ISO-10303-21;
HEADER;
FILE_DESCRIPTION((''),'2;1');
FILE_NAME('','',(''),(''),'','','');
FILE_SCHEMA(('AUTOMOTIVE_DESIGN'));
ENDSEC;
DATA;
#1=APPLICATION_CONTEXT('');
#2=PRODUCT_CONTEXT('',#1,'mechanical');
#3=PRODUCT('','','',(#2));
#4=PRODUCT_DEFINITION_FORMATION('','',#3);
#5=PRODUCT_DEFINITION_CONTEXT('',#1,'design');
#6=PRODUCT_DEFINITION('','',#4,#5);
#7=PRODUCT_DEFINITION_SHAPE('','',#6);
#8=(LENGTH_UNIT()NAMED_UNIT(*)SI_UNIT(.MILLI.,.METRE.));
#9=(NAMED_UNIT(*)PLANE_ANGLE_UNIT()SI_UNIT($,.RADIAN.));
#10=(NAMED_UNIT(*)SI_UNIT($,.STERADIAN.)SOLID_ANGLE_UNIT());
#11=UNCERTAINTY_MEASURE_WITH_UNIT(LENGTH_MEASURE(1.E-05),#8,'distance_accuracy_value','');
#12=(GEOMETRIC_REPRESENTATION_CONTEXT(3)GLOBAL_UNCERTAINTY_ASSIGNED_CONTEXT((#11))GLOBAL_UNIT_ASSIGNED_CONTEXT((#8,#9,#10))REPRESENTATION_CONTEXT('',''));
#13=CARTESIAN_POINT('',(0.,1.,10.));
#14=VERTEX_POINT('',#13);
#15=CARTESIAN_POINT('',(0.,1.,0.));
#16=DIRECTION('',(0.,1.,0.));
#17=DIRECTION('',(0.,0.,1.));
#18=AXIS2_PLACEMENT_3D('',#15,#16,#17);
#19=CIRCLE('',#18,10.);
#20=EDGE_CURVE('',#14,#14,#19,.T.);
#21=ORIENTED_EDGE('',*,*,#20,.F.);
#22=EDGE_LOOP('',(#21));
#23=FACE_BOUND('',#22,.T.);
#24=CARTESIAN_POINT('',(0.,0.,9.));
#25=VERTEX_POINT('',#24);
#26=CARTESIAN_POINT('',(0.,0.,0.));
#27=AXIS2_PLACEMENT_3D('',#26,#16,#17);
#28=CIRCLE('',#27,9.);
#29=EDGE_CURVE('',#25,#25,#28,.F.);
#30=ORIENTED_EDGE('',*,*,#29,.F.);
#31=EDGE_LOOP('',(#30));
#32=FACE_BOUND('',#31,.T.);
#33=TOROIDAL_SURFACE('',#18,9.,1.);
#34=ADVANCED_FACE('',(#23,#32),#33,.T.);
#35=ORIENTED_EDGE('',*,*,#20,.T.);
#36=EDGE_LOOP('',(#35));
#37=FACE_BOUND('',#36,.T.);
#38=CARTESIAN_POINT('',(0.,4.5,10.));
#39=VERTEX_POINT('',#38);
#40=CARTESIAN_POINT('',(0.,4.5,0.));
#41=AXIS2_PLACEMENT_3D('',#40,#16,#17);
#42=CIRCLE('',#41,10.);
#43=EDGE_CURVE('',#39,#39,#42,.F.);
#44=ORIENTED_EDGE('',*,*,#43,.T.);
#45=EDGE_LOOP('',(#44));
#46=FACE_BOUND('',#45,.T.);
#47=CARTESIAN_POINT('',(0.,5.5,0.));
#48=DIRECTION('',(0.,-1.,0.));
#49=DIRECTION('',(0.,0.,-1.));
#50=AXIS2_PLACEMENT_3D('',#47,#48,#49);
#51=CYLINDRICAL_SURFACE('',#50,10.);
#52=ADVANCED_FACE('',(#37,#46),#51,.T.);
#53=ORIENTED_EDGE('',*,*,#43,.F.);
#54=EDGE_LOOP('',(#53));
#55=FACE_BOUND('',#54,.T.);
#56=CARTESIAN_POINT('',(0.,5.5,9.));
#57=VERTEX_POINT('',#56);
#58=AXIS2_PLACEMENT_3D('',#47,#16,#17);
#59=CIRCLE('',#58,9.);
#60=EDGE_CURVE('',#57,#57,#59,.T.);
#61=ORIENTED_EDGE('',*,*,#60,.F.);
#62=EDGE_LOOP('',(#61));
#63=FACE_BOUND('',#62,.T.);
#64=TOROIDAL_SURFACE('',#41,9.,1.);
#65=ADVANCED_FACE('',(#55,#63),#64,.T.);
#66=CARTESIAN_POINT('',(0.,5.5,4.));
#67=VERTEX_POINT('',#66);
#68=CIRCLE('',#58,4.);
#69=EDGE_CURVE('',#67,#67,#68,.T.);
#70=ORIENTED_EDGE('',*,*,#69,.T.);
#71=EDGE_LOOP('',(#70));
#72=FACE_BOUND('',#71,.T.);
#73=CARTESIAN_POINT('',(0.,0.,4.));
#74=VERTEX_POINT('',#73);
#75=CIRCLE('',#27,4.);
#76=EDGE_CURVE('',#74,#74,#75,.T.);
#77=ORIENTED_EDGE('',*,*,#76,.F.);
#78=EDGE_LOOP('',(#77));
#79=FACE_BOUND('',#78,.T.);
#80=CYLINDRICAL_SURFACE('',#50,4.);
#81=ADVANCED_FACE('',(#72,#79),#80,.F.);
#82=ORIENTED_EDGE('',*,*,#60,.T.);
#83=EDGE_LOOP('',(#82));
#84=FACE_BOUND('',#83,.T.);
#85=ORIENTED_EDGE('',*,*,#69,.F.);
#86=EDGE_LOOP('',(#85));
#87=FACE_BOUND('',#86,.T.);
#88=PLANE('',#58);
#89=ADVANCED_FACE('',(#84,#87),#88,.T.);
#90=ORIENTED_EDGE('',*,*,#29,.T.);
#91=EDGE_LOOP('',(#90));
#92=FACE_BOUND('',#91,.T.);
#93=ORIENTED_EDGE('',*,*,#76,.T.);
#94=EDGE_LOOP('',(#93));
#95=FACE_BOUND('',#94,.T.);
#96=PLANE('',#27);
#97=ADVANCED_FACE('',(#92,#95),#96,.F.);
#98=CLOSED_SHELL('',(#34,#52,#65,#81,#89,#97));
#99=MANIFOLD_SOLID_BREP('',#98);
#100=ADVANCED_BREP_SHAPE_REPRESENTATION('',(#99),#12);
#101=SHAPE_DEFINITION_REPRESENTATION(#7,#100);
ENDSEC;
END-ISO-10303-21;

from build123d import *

# Parameters (mm, degrees)
SKETCH1_R           = 10
SKETCH1_R_2         = 4
BOSS_EXTRUDE1_DEPTH = 5.5
FILLET1_R           = 1


with BuildPart() as part:
    # Sketch1 → Boss-Extrude1 (new body)
    with BuildSketch(Plane(origin=(0, 0, 0), x_dir=(1, 0, 0), z_dir=(0, 1, 0))):
        Circle(SKETCH1_R)
        Circle(SKETCH1_R_2, mode=Mode.SUBTRACT)
    extrude(amount=BOSS_EXTRUDE1_DEPTH)

    # Fillet1
    fillet1_edges = [part.edges().sort_by_distance(p)[0] for p in [
        (-10, 0, 0),
        (-10, 5.5, 0),
    ]]
    fillet(fillet1_edges, radius=FILLET1_R)


solid = part.part
